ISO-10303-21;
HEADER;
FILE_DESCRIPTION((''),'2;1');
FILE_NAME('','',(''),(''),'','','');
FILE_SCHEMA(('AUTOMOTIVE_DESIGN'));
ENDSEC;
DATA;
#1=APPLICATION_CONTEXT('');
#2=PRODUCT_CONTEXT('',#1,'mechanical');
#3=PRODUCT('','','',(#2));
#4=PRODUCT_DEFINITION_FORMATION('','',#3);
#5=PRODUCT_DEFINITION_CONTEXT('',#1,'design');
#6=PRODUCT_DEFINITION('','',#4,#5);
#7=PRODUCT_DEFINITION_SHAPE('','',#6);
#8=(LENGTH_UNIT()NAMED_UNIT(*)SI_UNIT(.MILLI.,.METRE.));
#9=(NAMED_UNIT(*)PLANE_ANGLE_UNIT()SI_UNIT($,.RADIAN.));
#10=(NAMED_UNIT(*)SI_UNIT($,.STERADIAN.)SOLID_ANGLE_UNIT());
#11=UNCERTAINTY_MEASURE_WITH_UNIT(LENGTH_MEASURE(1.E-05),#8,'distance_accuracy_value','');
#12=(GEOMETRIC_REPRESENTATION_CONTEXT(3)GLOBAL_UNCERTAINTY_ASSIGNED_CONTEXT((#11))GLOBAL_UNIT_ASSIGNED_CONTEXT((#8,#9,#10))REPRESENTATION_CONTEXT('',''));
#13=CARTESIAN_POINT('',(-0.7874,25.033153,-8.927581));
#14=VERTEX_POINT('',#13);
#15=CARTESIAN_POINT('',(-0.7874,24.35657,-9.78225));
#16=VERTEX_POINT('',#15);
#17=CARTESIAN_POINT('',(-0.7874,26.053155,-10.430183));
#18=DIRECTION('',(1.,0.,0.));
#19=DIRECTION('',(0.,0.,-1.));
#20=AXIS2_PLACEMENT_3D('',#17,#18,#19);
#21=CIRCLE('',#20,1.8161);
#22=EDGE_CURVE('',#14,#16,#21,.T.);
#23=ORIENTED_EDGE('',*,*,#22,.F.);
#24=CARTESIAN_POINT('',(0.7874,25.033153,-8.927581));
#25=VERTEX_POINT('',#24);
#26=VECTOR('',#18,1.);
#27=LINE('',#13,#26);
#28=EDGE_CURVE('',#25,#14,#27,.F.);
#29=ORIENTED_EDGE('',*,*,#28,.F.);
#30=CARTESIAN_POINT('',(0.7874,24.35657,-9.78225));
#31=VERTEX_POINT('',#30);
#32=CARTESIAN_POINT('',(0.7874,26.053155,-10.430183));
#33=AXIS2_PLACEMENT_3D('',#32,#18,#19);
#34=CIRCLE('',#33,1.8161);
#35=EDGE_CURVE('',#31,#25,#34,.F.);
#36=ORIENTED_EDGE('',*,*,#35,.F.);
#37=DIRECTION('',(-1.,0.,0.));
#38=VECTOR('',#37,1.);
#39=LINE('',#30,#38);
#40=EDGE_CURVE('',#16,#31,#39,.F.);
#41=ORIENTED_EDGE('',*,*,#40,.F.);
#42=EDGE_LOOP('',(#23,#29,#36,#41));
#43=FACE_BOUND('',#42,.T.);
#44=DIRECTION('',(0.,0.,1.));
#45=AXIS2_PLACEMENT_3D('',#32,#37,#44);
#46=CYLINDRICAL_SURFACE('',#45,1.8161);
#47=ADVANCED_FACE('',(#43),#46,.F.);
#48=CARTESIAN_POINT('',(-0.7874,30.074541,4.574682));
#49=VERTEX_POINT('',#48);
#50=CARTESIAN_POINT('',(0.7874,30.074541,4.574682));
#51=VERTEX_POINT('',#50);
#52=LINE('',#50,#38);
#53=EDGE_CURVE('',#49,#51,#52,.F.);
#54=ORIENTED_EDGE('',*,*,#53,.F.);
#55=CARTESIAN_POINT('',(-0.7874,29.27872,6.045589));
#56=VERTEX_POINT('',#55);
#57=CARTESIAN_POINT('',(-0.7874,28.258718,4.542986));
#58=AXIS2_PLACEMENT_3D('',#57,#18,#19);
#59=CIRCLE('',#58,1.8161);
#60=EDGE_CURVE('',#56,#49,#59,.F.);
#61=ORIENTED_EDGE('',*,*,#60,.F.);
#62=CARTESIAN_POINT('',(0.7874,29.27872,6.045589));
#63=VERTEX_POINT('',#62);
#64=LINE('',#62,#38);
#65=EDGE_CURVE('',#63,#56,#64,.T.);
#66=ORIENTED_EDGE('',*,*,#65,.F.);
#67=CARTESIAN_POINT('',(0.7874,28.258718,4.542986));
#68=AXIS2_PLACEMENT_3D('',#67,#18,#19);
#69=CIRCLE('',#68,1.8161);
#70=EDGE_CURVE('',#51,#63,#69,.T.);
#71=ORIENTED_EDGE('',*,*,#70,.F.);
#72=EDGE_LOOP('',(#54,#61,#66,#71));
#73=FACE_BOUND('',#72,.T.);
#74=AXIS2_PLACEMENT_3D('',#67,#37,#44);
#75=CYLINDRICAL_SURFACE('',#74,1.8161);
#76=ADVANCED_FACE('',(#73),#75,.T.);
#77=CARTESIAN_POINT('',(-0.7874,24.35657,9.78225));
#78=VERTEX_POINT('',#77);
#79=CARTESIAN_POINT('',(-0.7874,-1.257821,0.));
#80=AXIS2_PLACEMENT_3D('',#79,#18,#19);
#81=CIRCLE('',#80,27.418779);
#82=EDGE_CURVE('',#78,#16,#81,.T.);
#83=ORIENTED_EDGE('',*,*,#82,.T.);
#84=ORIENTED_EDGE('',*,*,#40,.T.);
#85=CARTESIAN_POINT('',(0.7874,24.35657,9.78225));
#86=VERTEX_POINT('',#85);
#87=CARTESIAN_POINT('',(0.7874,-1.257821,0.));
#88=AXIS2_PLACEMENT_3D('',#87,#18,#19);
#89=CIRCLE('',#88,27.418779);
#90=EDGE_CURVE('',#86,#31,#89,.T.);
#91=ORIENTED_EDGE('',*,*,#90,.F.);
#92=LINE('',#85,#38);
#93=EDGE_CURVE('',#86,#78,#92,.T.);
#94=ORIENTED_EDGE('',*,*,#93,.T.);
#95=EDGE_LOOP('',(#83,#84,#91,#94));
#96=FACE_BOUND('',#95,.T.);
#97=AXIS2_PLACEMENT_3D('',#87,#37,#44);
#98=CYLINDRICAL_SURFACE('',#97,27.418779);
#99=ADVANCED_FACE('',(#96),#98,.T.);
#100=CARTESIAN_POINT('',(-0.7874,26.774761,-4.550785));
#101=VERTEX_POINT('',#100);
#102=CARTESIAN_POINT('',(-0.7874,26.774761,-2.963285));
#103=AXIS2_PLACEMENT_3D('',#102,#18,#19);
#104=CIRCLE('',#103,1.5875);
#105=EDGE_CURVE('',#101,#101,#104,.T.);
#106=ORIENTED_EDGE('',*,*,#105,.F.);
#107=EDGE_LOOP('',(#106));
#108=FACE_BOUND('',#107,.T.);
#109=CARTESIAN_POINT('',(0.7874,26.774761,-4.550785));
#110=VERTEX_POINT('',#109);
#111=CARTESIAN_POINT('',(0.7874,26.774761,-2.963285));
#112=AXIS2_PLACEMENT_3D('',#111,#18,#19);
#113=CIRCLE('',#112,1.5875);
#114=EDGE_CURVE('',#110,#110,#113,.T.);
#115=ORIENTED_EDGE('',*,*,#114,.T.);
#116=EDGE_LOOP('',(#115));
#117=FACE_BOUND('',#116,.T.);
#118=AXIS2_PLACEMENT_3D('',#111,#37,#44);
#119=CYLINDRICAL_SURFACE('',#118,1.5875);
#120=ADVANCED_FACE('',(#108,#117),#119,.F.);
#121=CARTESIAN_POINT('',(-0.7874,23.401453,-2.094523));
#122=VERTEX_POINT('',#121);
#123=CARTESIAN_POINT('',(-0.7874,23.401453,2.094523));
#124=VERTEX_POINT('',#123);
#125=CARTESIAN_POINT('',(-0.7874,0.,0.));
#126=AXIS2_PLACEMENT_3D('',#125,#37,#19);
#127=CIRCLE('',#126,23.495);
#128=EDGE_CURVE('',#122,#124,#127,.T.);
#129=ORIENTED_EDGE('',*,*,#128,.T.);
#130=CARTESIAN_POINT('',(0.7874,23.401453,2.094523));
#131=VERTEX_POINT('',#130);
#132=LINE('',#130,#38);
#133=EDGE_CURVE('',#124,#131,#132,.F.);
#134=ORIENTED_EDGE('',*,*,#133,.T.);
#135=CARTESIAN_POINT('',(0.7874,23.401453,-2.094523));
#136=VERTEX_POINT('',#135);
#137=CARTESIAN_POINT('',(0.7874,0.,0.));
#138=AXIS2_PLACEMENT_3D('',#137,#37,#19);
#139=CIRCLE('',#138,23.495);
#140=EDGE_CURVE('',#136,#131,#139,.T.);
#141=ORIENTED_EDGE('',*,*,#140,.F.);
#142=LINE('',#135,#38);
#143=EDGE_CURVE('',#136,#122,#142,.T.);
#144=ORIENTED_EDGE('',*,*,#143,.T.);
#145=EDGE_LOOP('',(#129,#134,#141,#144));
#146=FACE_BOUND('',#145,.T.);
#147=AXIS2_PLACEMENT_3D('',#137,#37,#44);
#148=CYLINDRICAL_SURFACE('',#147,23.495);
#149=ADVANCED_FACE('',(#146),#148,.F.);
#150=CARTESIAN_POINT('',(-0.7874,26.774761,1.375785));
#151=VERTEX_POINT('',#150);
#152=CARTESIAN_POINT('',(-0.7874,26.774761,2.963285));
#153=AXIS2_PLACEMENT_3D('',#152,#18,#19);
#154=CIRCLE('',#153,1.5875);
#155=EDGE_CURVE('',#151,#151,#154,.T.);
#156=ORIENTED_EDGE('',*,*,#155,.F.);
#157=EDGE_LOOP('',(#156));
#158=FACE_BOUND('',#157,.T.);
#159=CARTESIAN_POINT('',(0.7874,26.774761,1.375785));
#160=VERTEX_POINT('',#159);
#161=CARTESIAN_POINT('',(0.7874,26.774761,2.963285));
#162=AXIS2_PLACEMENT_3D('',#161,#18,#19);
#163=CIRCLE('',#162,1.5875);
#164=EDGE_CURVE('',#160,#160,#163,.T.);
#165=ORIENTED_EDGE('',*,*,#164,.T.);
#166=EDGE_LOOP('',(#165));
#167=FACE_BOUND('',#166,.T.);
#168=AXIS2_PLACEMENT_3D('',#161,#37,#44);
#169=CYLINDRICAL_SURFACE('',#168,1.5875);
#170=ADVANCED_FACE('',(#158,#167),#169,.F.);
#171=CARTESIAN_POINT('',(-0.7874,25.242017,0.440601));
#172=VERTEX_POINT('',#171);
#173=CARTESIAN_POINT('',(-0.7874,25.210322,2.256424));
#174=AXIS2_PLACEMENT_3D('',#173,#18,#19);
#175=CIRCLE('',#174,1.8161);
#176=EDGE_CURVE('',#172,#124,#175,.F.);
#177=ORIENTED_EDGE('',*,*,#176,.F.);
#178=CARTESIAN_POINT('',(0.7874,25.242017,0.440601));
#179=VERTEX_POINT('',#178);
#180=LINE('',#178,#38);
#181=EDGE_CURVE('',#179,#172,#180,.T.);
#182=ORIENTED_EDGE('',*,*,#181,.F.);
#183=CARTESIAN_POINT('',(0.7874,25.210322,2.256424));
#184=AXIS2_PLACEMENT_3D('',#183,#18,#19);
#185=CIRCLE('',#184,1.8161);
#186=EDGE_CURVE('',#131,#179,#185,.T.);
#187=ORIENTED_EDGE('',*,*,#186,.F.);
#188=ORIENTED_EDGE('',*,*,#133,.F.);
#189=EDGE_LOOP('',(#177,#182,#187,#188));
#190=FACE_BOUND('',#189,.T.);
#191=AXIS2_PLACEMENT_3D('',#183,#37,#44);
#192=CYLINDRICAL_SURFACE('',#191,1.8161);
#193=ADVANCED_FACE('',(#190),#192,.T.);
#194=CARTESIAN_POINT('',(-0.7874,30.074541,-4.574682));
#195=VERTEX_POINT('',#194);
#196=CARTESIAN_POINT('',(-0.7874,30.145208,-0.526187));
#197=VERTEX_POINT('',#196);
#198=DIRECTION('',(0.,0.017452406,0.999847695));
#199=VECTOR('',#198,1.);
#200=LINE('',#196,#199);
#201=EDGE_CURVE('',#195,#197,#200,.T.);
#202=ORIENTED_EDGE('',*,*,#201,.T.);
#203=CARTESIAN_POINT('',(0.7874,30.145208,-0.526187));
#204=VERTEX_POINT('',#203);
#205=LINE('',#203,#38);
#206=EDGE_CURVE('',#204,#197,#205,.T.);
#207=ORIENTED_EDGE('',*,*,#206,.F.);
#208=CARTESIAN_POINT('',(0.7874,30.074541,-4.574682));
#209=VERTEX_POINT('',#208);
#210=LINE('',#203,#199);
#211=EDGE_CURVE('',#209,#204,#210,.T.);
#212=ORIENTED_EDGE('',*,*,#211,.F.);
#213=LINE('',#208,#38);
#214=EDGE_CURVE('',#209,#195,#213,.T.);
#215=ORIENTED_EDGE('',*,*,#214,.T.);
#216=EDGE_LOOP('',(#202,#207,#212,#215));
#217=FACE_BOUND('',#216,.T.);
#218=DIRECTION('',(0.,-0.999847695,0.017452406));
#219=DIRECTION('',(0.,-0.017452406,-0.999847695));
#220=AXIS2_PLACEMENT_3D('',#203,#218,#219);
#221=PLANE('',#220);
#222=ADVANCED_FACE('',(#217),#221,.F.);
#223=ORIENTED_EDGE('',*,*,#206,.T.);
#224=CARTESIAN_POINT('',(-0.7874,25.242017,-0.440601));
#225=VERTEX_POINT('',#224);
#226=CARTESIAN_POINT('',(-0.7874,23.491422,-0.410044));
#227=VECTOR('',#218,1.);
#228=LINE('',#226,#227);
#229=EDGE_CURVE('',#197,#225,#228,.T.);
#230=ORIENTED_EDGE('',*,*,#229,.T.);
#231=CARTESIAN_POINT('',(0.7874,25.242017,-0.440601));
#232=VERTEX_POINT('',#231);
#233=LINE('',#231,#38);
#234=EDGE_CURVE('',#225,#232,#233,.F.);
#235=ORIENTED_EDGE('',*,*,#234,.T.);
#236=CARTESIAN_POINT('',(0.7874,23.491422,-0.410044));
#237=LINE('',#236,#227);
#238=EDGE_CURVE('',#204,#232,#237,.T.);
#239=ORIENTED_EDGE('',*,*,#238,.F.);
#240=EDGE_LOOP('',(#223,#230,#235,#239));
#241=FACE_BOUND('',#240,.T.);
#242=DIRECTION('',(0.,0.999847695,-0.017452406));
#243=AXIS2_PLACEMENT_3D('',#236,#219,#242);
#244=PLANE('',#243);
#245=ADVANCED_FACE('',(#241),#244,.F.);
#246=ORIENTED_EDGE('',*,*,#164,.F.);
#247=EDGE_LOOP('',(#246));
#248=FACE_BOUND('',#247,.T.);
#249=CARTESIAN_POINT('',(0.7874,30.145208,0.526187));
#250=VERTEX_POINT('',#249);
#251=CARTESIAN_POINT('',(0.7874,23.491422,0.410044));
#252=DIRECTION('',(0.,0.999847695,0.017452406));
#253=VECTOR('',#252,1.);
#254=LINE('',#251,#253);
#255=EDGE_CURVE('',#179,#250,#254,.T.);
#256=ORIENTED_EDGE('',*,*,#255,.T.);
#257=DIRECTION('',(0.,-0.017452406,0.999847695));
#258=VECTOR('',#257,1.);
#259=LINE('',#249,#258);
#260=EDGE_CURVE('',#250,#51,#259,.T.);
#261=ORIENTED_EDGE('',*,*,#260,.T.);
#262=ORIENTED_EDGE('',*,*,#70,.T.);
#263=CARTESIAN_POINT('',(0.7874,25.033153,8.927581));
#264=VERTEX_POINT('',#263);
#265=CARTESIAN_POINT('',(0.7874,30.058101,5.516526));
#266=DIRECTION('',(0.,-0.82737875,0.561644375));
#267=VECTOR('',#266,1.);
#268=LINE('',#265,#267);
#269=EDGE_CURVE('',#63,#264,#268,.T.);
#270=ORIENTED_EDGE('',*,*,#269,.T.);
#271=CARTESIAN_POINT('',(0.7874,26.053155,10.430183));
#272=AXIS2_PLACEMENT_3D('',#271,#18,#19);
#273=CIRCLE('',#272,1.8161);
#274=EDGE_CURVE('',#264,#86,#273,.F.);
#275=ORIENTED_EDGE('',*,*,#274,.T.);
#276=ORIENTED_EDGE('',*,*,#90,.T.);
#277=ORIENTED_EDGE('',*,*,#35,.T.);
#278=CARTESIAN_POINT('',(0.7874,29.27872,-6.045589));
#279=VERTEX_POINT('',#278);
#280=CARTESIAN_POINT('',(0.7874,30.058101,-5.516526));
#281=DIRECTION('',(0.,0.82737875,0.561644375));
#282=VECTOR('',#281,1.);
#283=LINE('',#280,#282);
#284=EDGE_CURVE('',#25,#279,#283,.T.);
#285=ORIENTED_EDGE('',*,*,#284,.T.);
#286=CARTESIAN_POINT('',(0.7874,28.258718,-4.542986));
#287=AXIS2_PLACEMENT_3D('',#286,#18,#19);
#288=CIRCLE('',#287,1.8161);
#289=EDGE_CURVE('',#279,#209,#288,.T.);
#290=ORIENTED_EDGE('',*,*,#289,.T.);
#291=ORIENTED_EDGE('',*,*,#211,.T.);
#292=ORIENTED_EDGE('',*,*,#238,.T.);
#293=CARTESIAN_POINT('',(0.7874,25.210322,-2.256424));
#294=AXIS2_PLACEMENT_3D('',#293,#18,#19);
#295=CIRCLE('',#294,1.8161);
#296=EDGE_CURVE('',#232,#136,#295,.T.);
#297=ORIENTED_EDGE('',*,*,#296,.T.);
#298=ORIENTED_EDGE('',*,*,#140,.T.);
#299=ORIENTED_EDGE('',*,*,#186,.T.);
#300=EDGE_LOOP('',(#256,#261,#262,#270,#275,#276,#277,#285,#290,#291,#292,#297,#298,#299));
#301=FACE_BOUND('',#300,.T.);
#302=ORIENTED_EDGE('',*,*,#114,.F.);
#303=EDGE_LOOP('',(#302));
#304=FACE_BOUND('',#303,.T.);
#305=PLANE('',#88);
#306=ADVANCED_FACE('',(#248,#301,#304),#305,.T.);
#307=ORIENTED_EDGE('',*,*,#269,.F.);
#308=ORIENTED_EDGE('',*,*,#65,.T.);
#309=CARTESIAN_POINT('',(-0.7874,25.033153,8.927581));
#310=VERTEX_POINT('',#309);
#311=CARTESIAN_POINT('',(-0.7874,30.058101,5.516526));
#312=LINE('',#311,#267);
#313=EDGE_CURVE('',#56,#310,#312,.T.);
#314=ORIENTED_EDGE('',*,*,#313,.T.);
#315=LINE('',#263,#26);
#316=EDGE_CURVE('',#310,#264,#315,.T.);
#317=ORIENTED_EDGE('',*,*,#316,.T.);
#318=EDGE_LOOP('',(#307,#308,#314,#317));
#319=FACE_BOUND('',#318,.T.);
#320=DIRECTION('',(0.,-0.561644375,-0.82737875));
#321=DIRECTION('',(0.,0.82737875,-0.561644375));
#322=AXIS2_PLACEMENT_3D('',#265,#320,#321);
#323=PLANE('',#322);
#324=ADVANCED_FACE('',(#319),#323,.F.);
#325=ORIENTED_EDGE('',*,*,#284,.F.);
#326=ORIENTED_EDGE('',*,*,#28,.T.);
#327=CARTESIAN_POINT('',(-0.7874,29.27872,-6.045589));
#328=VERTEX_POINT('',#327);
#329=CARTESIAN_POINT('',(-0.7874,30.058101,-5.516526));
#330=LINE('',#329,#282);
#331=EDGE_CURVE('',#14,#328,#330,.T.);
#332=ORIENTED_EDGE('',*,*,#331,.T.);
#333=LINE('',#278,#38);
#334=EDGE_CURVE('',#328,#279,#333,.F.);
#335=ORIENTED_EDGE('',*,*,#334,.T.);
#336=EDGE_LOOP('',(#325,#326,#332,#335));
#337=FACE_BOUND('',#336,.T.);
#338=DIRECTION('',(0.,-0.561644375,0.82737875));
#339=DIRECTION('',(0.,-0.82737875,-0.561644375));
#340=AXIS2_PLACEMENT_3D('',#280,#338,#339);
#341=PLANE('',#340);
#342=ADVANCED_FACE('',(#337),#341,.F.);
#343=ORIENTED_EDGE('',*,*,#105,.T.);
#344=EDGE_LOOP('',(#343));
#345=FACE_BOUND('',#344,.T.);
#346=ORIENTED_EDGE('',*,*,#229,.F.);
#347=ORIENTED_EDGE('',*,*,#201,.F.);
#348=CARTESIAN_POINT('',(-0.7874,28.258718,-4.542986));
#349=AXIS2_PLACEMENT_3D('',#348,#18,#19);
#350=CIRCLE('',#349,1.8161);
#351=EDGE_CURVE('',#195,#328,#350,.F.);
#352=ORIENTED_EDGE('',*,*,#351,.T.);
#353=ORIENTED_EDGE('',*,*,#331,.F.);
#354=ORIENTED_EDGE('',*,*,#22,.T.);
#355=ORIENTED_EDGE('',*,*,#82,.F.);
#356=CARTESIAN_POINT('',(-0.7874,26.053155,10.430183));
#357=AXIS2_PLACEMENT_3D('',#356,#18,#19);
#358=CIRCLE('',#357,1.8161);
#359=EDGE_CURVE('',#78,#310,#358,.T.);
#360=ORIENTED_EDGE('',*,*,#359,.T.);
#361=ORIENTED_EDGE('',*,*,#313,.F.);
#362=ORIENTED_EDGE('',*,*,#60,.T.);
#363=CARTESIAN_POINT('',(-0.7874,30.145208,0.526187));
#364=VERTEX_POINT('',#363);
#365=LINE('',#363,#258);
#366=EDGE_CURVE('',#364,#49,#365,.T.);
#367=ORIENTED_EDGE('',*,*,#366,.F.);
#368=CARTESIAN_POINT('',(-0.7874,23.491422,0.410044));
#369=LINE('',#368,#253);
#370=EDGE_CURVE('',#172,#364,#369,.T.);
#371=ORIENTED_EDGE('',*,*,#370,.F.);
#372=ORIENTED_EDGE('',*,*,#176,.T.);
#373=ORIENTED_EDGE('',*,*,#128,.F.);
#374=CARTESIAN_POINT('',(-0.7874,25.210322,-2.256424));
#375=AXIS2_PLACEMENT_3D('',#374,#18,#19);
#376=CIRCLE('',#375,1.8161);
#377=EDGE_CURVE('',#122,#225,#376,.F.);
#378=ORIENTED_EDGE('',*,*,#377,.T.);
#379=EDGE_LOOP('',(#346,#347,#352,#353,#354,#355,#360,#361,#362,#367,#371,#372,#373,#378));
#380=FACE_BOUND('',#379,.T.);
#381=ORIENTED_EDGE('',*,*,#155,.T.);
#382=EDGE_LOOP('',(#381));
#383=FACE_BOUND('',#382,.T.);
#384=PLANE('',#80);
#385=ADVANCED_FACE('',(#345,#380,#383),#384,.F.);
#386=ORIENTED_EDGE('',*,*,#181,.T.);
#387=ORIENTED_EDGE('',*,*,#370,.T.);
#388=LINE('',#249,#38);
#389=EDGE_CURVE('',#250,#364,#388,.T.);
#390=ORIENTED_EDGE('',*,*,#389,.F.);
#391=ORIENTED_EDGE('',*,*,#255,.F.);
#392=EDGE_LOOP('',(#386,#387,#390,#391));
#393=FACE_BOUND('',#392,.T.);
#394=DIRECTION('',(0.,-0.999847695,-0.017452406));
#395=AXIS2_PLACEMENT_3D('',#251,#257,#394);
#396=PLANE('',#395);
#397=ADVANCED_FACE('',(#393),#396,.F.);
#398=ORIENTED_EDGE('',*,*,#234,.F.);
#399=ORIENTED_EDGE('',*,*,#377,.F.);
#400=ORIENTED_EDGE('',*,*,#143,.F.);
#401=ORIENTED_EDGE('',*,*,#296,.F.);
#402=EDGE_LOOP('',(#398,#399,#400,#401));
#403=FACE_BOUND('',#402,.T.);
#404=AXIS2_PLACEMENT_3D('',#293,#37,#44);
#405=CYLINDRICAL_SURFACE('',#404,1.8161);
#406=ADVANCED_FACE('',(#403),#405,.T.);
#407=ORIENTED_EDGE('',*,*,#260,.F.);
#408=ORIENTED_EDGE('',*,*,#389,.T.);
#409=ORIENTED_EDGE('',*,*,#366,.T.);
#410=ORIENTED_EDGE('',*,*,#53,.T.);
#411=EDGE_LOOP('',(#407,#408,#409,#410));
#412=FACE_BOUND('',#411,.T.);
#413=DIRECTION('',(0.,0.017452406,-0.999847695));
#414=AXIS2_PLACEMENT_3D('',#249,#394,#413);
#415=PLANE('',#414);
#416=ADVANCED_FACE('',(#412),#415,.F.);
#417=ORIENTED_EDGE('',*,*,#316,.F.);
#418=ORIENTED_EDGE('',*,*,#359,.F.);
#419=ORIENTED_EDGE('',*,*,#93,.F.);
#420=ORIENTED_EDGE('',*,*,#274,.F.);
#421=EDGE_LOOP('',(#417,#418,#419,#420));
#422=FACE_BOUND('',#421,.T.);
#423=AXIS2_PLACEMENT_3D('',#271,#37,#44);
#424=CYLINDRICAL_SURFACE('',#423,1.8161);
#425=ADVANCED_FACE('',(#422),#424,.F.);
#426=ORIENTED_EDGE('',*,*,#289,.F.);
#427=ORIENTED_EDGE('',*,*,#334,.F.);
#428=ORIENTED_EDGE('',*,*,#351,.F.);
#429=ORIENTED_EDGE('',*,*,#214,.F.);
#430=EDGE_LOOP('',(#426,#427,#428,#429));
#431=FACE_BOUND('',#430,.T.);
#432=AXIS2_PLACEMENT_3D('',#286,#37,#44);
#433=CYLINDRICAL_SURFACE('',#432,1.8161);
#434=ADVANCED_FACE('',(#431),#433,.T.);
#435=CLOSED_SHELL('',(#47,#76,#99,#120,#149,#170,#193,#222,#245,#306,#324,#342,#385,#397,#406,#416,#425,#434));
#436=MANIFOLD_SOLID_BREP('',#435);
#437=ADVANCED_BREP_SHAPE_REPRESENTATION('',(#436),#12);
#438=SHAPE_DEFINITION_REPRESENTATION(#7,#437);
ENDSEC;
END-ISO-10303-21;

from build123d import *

# Parameters (mm, degrees)
BOSS_EXTRUDE1_DEPTH      = 0.7874
BOSS_EXTRUDE1_DEPTH_BACK = 0.7874
SKETCH3_R                = 1.5875
FILLET1_R                = 1.8161


with BuildPart() as part:
    # Sketch3 → Boss-Extrude1 (new, two sides: drawn at the far end of the back side and taken through both)
    with BuildSketch(Plane(origin=(0, 0, 0), x_dir=(0, 0, -1), z_dir=(1, 0, 0)).offset(-BOSS_EXTRUDE1_DEPTH_BACK)):
        with BuildLine():
            Line((-5.516526395, 30.058101334), (-9.254157379, 24.552061226))
            ThreePointArc((-9.254157379, 24.552061226), (0, -28.6766), (9.254157379, 24.552061226))
            Line((9.254157379, 24.552061226), (5.516526395, 30.058101334))
            Line((5.516526395, 30.058101334), (0.526186564, 30.145208039))
            Line((0.526186564, 30.145208039), (0.410044289, 23.491421598))
            ThreePointArc((0.410044289, 23.491421598), (0, -23.495), (-0.410044289, 23.491421598))
            Line((-0.410044289, 23.491421598), (-0.526186564, 30.145208039))
            Line((-0.526186564, 30.145208039), (-5.516526395, 30.058101334))
        make_face()
        with Locations((-2.963285342, 26.774761466)):
            Circle(SKETCH3_R, mode=Mode.SUBTRACT)
        with Locations((2.963285342, 26.774761466)):
            Circle(SKETCH3_R, mode=Mode.SUBTRACT)
    extrude(amount=BOSS_EXTRUDE1_DEPTH + BOSS_EXTRUDE1_DEPTH_BACK)

    # Fillet1
    fillet1_edges = [part.edges().sort_by_distance(p)[0] for p in [
        (0, 24.552061226, 9.254157379),
        (0, 30.058101334, 5.516526395),
        (0, 23.491421598, 0.410044289),
        (0, 23.491421598, -0.410044289),
        (0, 30.058101334, -5.516526395),
        (0, 24.552061226, -9.254157379),
    ]]
    fillet(fillet1_edges, radius=FILLET1_R)


solid = part.part
